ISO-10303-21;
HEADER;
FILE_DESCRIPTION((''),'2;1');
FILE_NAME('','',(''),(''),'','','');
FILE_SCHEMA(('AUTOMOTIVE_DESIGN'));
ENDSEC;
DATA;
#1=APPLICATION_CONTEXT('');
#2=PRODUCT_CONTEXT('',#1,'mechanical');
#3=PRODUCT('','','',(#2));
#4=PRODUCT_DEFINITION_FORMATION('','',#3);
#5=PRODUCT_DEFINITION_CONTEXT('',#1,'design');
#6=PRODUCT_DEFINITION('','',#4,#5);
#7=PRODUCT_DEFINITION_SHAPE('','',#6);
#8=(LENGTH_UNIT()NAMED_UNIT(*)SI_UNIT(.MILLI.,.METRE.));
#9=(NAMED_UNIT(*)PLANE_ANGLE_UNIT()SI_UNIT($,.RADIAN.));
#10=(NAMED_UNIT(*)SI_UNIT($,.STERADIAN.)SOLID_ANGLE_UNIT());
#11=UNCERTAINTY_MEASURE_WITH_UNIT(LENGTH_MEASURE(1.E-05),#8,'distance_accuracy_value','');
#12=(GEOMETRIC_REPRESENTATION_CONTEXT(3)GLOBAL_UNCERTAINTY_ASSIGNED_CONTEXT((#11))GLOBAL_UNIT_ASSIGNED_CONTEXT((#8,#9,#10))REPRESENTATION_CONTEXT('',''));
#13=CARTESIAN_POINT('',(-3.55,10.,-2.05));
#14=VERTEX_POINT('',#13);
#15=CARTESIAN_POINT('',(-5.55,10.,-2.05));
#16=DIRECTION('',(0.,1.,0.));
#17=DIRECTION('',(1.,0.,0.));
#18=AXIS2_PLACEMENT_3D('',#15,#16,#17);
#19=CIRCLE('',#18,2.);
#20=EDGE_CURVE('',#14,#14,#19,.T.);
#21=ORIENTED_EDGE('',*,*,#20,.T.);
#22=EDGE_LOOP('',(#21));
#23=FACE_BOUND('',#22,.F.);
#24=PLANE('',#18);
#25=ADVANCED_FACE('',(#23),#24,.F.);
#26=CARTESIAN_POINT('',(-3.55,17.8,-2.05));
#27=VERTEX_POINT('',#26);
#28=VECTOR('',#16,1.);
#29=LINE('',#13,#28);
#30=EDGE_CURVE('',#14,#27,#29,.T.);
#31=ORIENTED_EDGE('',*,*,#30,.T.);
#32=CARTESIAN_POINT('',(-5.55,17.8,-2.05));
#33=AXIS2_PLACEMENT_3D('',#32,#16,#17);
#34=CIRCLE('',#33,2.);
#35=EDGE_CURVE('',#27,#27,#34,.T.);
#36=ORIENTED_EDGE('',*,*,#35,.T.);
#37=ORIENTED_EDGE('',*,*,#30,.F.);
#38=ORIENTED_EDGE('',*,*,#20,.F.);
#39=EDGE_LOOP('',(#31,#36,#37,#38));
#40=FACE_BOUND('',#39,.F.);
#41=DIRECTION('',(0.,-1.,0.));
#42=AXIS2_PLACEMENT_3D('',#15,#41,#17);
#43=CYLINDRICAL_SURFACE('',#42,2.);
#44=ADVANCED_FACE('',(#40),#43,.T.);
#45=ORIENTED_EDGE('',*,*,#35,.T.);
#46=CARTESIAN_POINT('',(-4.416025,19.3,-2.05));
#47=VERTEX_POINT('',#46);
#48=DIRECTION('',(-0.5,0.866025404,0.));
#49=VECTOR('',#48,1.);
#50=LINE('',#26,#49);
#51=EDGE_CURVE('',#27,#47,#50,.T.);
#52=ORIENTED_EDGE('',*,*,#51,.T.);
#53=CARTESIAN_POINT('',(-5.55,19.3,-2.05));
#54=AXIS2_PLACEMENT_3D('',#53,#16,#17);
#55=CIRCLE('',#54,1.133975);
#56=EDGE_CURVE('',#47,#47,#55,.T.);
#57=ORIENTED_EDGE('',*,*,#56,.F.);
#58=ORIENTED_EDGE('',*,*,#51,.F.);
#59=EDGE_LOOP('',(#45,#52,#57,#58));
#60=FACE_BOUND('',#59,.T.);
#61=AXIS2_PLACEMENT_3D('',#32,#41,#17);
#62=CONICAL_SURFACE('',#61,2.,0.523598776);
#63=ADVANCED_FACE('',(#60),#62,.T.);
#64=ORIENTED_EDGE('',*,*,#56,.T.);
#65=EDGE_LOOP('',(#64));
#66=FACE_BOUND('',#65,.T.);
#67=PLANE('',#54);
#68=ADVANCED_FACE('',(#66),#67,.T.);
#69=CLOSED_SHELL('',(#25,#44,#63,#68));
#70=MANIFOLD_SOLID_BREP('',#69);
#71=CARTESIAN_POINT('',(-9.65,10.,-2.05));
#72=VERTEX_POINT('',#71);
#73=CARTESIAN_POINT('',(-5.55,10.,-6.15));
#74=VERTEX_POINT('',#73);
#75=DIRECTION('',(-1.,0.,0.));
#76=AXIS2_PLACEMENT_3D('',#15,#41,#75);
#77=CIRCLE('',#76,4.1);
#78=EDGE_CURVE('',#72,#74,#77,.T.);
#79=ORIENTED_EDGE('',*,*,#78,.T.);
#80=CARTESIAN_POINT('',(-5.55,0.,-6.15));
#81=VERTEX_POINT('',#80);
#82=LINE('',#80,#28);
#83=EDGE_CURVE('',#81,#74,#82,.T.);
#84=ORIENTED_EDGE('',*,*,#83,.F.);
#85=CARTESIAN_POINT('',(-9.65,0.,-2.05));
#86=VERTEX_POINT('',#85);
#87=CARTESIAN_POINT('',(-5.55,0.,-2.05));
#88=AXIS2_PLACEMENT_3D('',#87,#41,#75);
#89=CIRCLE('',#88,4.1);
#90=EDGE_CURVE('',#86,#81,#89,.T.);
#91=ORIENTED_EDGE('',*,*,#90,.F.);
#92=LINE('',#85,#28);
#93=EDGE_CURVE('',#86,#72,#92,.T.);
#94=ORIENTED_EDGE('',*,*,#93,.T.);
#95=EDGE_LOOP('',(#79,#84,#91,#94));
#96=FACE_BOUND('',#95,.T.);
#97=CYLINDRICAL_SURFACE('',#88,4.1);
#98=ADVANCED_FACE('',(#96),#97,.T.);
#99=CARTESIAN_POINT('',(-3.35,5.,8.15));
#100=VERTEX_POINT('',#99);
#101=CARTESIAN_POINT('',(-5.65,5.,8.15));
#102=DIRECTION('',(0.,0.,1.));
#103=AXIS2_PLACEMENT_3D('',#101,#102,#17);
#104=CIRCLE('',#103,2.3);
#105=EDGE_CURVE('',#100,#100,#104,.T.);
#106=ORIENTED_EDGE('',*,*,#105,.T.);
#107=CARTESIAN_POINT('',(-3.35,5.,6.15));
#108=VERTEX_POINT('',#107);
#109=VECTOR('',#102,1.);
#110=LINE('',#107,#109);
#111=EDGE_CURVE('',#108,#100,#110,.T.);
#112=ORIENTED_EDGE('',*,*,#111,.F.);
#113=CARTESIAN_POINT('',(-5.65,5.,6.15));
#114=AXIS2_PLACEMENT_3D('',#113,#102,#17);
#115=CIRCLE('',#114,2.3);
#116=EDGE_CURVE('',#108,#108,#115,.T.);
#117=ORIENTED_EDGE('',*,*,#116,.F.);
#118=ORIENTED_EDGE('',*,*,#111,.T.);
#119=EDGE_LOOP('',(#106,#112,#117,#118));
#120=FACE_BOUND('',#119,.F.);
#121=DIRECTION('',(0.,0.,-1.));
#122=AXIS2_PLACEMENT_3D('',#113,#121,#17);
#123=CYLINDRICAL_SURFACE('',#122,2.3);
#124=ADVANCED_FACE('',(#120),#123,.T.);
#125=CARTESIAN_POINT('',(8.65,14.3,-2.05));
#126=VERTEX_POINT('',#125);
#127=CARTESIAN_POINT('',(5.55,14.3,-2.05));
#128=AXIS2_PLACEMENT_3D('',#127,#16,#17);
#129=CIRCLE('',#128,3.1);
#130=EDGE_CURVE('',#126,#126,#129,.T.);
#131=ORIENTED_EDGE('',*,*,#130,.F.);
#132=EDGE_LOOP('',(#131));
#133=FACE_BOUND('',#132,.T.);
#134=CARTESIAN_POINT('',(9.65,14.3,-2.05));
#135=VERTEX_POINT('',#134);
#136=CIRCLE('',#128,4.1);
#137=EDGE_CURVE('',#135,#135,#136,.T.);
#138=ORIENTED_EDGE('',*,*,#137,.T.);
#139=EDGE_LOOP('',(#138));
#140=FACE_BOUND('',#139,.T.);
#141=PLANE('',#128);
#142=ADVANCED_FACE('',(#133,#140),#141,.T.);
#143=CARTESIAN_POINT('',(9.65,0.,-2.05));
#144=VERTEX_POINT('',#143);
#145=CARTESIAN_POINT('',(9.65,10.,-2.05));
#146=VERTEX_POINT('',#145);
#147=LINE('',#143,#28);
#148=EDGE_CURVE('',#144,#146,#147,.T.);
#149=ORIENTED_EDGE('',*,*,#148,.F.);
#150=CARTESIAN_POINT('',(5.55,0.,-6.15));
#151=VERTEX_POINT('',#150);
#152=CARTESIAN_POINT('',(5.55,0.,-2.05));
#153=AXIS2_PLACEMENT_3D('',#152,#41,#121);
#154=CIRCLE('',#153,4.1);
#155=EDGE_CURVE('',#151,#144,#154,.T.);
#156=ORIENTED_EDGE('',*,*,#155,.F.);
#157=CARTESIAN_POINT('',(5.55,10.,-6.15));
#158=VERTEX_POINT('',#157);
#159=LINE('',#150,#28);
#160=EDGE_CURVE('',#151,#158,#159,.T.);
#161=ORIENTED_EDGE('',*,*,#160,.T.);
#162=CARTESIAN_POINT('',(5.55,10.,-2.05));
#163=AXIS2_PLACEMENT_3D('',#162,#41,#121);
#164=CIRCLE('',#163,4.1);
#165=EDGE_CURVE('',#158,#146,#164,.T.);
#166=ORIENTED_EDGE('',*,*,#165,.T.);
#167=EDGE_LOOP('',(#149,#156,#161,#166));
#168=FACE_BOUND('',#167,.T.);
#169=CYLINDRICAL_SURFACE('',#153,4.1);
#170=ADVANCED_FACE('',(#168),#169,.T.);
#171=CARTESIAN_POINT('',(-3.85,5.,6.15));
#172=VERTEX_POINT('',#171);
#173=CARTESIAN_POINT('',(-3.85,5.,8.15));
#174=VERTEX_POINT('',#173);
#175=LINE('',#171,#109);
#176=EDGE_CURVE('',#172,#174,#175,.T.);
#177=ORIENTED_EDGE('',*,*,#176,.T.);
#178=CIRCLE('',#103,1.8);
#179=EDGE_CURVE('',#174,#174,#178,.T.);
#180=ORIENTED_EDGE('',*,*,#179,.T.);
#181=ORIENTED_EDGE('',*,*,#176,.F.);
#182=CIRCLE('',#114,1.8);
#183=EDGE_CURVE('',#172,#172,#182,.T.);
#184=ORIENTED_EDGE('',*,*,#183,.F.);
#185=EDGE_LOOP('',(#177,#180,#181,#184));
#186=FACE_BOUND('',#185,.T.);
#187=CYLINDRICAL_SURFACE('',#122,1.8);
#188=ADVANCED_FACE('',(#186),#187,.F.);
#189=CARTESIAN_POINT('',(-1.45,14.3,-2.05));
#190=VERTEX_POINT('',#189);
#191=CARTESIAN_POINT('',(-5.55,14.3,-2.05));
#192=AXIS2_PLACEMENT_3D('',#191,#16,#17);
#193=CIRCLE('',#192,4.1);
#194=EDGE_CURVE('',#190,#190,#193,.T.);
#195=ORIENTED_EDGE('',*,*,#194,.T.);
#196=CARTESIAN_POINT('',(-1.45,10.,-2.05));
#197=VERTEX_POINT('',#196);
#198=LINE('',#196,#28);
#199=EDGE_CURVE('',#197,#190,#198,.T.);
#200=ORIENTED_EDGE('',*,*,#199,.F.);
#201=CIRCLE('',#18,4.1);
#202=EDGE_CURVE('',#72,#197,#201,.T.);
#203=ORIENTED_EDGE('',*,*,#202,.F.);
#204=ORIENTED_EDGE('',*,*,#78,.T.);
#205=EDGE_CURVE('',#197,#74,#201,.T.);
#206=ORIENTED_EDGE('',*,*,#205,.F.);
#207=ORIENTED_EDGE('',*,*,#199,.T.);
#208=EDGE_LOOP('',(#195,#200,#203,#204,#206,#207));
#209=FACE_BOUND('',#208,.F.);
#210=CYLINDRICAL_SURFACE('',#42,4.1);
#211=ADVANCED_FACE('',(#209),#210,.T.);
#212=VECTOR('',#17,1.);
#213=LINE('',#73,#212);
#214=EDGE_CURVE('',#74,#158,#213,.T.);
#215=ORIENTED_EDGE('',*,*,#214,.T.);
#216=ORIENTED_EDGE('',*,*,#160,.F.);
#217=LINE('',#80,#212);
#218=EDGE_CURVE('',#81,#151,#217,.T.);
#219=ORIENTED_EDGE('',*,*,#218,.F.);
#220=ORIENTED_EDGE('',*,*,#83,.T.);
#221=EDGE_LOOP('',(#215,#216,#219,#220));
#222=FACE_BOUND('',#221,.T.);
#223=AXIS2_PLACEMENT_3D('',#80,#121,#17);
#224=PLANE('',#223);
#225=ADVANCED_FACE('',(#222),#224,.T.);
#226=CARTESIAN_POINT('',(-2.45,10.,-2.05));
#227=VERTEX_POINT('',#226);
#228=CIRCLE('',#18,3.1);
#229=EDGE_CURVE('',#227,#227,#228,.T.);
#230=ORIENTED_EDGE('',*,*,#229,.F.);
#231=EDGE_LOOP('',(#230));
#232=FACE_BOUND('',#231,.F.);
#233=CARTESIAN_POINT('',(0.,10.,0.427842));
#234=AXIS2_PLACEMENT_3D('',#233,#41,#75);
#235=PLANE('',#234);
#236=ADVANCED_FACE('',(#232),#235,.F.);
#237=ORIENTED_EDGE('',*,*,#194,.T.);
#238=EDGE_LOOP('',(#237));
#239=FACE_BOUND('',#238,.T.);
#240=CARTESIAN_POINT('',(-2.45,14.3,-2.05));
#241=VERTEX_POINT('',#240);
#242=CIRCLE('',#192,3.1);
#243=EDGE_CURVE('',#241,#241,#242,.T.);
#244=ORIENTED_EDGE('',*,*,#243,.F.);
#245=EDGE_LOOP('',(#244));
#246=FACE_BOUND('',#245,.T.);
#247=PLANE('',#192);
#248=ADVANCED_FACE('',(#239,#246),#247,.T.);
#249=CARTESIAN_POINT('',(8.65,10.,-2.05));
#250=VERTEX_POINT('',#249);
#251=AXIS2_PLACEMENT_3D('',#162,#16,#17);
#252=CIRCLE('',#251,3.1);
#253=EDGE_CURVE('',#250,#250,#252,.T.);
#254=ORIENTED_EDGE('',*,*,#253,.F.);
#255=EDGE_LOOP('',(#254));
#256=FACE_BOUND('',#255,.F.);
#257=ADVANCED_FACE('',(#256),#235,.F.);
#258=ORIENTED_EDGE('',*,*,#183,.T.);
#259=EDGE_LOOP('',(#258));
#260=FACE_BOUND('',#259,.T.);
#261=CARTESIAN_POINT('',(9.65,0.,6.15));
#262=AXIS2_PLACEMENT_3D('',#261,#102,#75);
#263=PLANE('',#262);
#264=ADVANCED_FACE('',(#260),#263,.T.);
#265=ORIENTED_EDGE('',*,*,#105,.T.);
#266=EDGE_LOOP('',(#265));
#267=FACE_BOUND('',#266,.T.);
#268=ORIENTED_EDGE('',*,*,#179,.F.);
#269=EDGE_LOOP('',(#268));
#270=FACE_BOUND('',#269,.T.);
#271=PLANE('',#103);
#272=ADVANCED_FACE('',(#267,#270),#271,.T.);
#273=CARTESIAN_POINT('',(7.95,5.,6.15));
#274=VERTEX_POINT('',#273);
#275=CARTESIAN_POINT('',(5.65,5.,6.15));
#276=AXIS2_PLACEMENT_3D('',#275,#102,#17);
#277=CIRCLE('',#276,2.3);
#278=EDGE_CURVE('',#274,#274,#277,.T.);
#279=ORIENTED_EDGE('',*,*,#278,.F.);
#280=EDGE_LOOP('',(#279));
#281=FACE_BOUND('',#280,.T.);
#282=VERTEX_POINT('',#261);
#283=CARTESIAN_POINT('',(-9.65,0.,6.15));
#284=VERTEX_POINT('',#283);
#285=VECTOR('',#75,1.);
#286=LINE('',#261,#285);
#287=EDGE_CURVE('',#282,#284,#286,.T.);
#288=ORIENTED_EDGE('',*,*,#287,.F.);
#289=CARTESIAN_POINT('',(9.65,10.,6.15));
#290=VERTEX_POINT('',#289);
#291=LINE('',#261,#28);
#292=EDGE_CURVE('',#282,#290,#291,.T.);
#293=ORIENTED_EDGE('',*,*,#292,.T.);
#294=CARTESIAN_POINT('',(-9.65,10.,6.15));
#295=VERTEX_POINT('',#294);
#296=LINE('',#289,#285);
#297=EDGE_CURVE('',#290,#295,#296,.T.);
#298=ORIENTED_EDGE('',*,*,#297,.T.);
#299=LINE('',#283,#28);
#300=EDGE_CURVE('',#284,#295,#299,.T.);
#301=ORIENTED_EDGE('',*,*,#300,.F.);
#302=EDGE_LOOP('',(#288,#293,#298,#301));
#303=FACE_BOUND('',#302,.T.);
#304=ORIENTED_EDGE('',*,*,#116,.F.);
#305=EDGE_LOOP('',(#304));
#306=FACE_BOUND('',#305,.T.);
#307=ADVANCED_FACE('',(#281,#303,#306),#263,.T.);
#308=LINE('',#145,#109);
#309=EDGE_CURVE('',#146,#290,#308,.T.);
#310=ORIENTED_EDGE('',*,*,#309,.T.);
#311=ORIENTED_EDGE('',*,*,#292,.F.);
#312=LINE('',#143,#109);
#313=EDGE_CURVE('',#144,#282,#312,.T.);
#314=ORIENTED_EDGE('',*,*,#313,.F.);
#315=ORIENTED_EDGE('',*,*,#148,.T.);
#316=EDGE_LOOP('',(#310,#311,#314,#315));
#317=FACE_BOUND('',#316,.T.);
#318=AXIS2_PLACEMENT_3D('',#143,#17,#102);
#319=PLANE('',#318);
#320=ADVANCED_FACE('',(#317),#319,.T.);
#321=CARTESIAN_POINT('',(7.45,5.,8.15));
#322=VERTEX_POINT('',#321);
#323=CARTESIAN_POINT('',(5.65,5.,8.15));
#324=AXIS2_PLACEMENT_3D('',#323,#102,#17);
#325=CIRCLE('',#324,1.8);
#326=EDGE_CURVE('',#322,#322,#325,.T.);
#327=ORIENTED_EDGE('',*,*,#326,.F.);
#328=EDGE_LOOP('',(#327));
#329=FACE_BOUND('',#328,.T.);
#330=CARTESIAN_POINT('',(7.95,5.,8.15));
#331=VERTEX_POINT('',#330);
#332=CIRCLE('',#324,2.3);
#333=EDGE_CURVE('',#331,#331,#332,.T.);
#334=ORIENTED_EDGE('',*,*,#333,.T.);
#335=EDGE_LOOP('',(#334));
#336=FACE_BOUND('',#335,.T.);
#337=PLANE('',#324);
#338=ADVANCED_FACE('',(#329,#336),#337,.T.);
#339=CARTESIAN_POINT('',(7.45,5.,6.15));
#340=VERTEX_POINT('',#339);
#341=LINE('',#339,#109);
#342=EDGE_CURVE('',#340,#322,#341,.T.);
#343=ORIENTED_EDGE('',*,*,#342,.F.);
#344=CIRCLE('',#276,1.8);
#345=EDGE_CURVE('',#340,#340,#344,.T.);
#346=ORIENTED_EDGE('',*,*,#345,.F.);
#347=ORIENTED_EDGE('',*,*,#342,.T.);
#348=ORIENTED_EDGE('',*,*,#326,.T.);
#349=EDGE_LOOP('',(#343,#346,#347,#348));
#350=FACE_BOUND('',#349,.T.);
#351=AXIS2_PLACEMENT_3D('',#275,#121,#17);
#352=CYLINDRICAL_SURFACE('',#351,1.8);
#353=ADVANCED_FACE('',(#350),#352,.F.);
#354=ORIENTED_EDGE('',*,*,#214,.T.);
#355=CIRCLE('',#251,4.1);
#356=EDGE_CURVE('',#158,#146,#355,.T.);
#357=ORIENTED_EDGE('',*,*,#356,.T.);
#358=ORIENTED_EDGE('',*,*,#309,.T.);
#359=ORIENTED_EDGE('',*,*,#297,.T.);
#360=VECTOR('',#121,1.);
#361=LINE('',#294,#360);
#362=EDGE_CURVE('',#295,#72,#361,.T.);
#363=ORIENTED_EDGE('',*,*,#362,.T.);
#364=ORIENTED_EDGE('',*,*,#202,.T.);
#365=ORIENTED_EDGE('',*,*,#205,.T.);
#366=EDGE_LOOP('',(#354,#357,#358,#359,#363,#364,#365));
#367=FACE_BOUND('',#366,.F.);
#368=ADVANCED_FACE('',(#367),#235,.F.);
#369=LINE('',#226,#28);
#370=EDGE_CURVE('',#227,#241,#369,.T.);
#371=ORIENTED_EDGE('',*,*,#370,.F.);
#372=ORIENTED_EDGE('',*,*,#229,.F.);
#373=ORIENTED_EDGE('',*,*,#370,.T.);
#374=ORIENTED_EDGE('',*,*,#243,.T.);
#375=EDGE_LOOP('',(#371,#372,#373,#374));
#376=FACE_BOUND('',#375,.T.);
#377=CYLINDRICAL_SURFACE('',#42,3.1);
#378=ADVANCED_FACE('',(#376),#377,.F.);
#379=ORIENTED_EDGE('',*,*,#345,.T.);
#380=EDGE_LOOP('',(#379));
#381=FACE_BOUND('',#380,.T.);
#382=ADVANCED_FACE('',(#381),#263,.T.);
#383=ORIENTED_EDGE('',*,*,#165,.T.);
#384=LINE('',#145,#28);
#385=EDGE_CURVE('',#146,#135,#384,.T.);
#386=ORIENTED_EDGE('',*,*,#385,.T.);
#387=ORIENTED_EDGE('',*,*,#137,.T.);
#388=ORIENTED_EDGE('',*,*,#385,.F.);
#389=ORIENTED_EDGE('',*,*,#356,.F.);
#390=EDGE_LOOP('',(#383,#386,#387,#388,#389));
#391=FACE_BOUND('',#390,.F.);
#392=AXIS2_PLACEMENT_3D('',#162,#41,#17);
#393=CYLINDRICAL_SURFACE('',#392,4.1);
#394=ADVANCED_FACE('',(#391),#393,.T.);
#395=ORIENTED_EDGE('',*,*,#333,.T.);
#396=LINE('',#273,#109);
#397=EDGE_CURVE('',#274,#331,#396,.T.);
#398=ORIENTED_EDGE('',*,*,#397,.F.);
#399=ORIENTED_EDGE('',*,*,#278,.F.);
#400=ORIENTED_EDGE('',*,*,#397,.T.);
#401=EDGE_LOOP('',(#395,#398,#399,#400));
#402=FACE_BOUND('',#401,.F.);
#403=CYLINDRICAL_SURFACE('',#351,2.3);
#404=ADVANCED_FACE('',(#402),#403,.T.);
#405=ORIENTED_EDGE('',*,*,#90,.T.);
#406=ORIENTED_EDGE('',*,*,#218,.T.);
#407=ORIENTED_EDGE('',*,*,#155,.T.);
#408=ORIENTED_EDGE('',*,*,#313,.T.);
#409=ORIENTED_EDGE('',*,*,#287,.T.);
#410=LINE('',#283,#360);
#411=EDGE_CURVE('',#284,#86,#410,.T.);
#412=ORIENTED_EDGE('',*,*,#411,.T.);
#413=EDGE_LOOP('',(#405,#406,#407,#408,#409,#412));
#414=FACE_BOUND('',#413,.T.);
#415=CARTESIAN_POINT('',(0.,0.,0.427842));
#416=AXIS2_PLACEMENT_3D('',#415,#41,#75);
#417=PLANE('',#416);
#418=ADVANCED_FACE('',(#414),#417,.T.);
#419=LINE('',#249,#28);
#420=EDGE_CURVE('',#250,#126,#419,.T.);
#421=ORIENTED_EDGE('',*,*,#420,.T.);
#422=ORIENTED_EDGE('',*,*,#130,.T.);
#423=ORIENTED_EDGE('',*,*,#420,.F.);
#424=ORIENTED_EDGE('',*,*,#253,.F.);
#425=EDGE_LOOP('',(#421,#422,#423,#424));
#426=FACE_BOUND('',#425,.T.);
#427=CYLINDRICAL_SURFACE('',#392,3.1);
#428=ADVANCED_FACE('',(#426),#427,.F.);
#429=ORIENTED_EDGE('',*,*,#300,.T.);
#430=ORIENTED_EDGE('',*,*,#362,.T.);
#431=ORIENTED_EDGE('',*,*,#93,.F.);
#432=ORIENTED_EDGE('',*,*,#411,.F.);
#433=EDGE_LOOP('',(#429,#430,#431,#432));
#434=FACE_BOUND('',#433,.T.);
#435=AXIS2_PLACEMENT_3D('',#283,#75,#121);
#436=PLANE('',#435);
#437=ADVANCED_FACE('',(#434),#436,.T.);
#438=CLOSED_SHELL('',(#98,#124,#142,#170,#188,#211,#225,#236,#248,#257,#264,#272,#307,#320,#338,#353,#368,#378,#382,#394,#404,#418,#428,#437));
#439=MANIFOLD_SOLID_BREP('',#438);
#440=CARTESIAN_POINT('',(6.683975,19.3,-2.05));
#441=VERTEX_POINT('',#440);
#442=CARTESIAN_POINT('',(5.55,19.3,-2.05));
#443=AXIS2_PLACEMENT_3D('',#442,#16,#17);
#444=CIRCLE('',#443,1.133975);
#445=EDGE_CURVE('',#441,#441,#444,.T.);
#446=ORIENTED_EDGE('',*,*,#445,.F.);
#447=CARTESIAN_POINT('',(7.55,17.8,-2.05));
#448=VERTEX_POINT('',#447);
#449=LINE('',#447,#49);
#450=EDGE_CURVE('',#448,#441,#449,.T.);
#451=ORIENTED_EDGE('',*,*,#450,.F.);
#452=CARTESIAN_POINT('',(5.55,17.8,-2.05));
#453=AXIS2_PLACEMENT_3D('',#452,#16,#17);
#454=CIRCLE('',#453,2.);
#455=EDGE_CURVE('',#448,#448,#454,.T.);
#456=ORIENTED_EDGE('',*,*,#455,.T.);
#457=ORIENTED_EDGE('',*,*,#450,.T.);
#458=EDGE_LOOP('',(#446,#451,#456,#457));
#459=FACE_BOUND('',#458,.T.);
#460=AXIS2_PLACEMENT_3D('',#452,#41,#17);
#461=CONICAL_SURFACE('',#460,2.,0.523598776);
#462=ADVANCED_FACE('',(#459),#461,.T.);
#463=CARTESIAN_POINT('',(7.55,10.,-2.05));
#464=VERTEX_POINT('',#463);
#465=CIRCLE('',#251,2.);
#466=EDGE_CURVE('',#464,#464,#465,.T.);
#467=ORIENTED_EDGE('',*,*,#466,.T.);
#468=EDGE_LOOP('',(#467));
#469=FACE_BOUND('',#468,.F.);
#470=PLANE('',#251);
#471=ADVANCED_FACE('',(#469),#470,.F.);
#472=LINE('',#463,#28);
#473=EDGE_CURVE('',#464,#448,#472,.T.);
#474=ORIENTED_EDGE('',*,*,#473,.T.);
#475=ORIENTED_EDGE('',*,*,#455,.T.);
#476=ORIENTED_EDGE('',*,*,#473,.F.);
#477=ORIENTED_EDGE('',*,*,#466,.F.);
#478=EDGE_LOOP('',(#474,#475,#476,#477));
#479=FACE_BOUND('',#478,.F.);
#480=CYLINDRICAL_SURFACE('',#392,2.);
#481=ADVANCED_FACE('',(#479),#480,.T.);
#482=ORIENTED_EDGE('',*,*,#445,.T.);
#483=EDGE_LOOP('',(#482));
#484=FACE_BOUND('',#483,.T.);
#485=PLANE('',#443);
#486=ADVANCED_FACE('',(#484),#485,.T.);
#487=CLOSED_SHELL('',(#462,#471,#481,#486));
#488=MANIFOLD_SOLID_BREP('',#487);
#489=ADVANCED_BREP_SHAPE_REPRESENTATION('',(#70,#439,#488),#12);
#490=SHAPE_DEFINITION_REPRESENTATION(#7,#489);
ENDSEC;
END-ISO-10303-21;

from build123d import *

# Parameters (mm, degrees)
BOSS_EXTRUDE1_DEPTH   = 10
SKETCH3_R             = 4.1
SKETCH3_R_2           = 3.1
BOSS_EXTRUDE2_DEPTH   = 4.3
SKETCH4_R             = 2
BOSS_EXTRUDE3_DEPTH   = 9.3
BOSS_EXTRUDE3_2_DEPTH = 9.3
CHAMFER1_SIZE         = 1.5
CHAMFER1_SIZE2        = 0.866025404
CHAMFER2_SIZE         = 1.5
CHAMFER2_SIZE2        = 0.866025404
SKETCH5_R             = 2.3
SKETCH5_R_2           = 1.8
BOSS_EXTRUDE4_DEPTH   = 2


with BuildPart() as part:
    # Sketch2 → Boss-Extrude1 (new body)
    with BuildSketch(Plane(origin=(0, 0, 0), x_dir=(1, 0, 0), z_dir=(0, 1, 0))):
        with BuildLine():
            Line((-5.55, 6.15), (5.55, 6.15))
            ThreePointArc((5.55, 6.15), (8.449137803, 4.949137803), (9.65, 2.05))
            Line((9.65, 2.05), (9.65, -6.15))
            Line((9.65, -6.15), (-9.65, -6.15))
            Line((-9.65, -6.15), (-9.65, 2.05))
            ThreePointArc((-9.65, 2.05), (-8.449137803, 4.949137803), (-5.55, 6.15))
        make_face()
    extrude(amount=BOSS_EXTRUDE1_DEPTH)

    # Sketch3 → Boss-Extrude2 (add)
    with BuildSketch(Plane(origin=(0, 10, 0), x_dir=(1, 0, 0), z_dir=(0, 1, 0))):
        with Locations((-5.55, 2.05)):
            Circle(SKETCH3_R)
        with Locations((-5.55, 2.05)):
            Circle(SKETCH3_R_2, mode=Mode.SUBTRACT)
        with Locations((5.55, 2.05)):
            Circle(SKETCH3_R)
        with Locations((5.55, 2.05)):
            Circle(SKETCH3_R_2, mode=Mode.SUBTRACT)
    extrude(amount=BOSS_EXTRUDE2_DEPTH)

    # Sketch5 → Boss-Extrude4 (add)
    with BuildSketch(Plane.XY.offset(6.15)):
        with Locations((-5.65, 5)):
            Circle(SKETCH5_R)
        with Locations((-5.65, 5)):
            Circle(SKETCH5_R_2, mode=Mode.SUBTRACT)
        with Locations((5.65, 5)):
            Circle(SKETCH5_R)
        with Locations((5.65, 5)):
            Circle(SKETCH5_R_2, mode=Mode.SUBTRACT)
    extrude(amount=BOSS_EXTRUDE4_DEPTH)


with BuildPart() as body_2:
    # Sketch4 → Boss-Extrude3 (new body)
    with BuildSketch(Plane(origin=(0, 10, 0), x_dir=(1, 0, 0), z_dir=(0, 1, 0))):
        with Locations((-5.55, 2.05)):
            Circle(SKETCH4_R)
    extrude(amount=BOSS_EXTRUDE3_DEPTH)

    # Chamfer1
    chamfer1_edges = [body_2.edges().sort_by_distance(p)[0] for p in [
        (-7.55, 19.3, -2.05),
    ]]
    chamfer1_side = [body_2.faces().sort_by_distance(p)[0] for p in [
        (-7.55, 14.65, -2.05),
    ]]
    chamfer(chamfer1_edges, length=CHAMFER1_SIZE, length2=CHAMFER1_SIZE2, reference=chamfer1_side[0])


with BuildPart() as body_3:
    # Sketch4 → Boss-Extrude3 2 (new body)
    with BuildSketch(Plane(origin=(0, 10, 0), x_dir=(1, 0, 0), z_dir=(0, 1, 0))):
        with Locations((5.55, 2.05)):
            Circle(SKETCH4_R)
    extrude(amount=BOSS_EXTRUDE3_2_DEPTH)

    # Chamfer2
    chamfer2_edges = [body_3.edges().sort_by_distance(p)[0] for p in [
        (3.55, 19.3, -2.05),
    ]]
    chamfer2_side = [body_3.faces().sort_by_distance(p)[0] for p in [
        (3.55, 14.65, -2.05),
    ]]
    chamfer(chamfer2_edges, length=CHAMFER2_SIZE, length2=CHAMFER2_SIZE2, reference=chamfer2_side[0])


solid = Compound([part.part, body_2.part, body_3.part])
